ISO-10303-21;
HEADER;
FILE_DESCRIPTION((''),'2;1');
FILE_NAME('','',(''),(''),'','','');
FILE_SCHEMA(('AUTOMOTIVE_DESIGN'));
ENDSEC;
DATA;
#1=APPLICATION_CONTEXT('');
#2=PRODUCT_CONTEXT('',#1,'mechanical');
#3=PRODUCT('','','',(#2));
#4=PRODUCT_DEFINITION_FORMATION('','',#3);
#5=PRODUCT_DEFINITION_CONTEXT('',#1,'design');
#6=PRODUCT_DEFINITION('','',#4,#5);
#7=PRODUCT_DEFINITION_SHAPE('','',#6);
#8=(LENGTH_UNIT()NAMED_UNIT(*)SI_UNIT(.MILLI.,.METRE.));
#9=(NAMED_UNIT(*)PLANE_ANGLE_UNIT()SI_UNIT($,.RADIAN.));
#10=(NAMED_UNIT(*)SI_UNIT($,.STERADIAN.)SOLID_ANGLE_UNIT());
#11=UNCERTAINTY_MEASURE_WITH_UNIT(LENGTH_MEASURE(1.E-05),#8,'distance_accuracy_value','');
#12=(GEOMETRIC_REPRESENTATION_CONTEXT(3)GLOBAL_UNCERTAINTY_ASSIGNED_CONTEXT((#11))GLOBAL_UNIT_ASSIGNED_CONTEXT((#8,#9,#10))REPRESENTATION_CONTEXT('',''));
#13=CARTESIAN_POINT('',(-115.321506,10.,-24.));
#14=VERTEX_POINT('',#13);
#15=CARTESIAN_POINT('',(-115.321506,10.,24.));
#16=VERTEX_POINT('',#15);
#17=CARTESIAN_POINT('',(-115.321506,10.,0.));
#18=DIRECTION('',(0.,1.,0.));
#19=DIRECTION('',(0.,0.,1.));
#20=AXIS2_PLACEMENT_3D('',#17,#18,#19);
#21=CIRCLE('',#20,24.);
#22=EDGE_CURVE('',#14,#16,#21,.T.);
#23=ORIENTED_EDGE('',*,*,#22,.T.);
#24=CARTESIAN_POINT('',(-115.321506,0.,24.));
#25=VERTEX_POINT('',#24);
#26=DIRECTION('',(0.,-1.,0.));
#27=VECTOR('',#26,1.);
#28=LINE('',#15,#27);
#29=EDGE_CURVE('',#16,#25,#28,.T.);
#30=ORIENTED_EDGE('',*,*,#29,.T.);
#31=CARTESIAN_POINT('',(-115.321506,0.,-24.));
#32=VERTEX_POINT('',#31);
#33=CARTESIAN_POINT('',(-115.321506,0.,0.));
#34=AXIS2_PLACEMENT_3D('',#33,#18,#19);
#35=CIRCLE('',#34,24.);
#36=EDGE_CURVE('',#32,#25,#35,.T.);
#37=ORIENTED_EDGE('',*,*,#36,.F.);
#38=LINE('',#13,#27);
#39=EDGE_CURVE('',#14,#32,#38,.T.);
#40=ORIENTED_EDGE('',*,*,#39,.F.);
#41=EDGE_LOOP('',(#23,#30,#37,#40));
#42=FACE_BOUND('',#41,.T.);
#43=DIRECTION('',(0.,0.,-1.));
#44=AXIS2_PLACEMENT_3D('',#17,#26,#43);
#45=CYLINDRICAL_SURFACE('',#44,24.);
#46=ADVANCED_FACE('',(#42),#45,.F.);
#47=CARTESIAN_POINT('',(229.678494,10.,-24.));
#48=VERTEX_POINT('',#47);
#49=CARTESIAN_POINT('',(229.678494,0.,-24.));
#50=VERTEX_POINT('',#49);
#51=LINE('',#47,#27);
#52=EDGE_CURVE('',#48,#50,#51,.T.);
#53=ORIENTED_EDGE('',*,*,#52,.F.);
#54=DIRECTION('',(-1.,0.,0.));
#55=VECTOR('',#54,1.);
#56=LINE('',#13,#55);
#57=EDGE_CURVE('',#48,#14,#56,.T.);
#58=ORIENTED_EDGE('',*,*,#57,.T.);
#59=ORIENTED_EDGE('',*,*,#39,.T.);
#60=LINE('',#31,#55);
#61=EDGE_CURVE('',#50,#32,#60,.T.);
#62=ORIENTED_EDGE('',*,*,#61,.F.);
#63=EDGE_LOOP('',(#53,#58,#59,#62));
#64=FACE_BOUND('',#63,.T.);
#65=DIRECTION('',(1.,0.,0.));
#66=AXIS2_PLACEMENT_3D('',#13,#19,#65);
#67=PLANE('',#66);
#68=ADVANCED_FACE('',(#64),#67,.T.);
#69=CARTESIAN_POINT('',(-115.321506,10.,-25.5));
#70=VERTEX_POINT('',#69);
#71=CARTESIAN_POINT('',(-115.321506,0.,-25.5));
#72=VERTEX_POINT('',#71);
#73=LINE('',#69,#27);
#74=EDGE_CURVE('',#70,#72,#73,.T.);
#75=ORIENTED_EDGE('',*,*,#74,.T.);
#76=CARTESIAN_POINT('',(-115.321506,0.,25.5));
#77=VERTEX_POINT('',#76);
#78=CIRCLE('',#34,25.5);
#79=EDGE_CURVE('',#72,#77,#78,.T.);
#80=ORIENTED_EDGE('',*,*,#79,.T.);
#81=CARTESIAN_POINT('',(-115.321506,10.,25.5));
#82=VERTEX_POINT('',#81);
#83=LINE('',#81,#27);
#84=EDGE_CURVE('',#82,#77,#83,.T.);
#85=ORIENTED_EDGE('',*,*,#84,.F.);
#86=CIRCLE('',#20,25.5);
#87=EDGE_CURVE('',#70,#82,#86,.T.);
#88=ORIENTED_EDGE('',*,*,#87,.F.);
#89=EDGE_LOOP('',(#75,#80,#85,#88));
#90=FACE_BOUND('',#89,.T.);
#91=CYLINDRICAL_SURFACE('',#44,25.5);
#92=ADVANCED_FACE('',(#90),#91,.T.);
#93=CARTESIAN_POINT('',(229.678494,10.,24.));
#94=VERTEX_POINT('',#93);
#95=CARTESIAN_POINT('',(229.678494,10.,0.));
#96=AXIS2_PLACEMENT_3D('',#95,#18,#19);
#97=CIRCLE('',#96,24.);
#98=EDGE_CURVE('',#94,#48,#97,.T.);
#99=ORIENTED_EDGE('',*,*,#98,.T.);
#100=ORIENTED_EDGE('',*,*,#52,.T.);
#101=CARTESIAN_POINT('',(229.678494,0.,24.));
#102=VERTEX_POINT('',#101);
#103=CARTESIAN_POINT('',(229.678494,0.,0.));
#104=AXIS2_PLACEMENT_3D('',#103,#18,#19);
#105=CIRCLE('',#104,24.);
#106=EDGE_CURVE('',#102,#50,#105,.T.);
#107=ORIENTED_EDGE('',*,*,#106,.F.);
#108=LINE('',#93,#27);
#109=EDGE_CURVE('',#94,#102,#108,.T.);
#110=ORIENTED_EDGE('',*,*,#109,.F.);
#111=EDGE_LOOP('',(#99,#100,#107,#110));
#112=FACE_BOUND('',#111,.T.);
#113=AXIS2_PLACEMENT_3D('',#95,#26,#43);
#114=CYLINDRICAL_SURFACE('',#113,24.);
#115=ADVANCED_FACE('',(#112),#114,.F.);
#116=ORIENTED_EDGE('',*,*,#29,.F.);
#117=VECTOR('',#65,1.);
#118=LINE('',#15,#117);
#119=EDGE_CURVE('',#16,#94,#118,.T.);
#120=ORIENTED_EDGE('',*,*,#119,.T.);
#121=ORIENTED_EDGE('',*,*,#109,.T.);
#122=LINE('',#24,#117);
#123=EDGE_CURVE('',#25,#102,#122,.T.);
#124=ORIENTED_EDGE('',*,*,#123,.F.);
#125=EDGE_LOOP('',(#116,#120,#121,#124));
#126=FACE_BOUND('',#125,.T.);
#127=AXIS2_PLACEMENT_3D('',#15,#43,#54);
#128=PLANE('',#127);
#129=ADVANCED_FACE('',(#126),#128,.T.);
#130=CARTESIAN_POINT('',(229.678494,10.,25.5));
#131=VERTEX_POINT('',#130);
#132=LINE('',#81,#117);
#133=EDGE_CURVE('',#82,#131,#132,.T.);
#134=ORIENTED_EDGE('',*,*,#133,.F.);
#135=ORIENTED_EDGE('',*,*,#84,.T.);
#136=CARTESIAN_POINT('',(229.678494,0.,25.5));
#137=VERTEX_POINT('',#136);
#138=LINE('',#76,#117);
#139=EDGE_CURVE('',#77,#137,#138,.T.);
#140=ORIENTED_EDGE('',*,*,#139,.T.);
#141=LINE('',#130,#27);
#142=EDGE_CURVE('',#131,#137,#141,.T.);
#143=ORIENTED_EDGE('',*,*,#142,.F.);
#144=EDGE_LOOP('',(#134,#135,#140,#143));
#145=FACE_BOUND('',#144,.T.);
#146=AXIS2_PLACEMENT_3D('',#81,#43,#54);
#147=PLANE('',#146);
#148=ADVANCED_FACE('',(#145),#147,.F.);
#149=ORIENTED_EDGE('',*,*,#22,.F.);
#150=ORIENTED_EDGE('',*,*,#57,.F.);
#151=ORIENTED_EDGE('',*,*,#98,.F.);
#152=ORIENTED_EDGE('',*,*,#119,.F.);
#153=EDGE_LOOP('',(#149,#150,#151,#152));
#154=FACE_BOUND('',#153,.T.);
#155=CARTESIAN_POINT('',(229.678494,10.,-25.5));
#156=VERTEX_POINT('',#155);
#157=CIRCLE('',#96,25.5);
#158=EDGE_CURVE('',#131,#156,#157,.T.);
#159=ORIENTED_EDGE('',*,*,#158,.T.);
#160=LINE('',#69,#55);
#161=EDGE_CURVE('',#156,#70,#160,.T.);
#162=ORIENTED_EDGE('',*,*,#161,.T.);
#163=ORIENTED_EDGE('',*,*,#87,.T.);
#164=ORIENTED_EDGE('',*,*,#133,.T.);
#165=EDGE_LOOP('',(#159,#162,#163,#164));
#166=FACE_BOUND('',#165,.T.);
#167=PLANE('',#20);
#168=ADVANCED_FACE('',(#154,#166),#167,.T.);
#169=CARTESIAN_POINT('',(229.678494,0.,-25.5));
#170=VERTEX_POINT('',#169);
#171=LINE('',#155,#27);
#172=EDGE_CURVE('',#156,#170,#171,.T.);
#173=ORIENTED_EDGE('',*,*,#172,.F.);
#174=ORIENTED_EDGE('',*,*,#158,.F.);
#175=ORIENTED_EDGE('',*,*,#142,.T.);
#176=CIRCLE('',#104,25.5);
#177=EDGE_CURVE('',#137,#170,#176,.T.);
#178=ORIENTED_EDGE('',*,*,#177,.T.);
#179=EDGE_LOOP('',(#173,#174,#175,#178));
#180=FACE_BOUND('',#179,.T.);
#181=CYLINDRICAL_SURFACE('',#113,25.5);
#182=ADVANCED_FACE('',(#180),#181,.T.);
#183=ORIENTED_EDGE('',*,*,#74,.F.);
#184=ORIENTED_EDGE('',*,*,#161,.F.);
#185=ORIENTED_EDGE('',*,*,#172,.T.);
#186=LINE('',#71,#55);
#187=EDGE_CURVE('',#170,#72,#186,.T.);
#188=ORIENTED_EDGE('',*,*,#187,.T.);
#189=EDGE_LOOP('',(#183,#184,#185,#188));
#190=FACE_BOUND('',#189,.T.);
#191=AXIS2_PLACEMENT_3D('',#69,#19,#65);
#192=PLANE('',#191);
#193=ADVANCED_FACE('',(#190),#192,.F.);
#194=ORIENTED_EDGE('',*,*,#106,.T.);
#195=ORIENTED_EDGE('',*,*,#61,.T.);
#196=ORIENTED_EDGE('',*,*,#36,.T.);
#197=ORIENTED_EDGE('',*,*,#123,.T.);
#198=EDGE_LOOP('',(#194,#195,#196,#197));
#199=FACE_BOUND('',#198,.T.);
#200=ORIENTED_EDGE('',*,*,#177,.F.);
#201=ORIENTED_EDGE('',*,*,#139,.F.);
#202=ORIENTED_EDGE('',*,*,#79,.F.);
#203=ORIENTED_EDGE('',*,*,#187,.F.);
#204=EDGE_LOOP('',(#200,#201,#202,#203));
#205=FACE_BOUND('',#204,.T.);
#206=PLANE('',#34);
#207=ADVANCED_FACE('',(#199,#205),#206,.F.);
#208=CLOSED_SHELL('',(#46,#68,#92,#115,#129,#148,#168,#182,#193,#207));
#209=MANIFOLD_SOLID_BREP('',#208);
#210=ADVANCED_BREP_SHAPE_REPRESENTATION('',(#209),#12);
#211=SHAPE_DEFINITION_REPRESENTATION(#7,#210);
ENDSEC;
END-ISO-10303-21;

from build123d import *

# Parameters (mm, degrees)
BOSS_EXTRUDE1_DEPTH = 10


with BuildPart() as part:
    # Sketch1 → Boss-Extrude1 (new body)
    with BuildSketch(Plane(origin=(0, 0, 0), x_dir=(1, 0, 0), z_dir=(0, 1, 0))):
        with BuildLine():
            Line((-115.321505596, 25.5), (229.678494404, 25.5))
            ThreePointArc((229.678494404, 25.5), (255.178494404, 0), (229.678494404, -25.5))
            Line((229.678494404, -25.5), (-115.321505596, -25.5))
            ThreePointArc((-115.321505596, -25.5), (-140.821505596, 0), (-115.321505596, 25.5))
        make_face()
        with BuildLine():
            Line((-115.321505596, -24), (229.678494404, -24))
            ThreePointArc((229.678494404, -24), (253.678494404, 0), (229.678494404, 24))
            Line((229.678494404, 24), (-115.321505596, 24))
            ThreePointArc((-115.321505596, 24), (-139.321505596, 0), (-115.321505596, -24))
        make_face(mode=Mode.SUBTRACT)
    extrude(amount=BOSS_EXTRUDE1_DEPTH)


solid = part.part
